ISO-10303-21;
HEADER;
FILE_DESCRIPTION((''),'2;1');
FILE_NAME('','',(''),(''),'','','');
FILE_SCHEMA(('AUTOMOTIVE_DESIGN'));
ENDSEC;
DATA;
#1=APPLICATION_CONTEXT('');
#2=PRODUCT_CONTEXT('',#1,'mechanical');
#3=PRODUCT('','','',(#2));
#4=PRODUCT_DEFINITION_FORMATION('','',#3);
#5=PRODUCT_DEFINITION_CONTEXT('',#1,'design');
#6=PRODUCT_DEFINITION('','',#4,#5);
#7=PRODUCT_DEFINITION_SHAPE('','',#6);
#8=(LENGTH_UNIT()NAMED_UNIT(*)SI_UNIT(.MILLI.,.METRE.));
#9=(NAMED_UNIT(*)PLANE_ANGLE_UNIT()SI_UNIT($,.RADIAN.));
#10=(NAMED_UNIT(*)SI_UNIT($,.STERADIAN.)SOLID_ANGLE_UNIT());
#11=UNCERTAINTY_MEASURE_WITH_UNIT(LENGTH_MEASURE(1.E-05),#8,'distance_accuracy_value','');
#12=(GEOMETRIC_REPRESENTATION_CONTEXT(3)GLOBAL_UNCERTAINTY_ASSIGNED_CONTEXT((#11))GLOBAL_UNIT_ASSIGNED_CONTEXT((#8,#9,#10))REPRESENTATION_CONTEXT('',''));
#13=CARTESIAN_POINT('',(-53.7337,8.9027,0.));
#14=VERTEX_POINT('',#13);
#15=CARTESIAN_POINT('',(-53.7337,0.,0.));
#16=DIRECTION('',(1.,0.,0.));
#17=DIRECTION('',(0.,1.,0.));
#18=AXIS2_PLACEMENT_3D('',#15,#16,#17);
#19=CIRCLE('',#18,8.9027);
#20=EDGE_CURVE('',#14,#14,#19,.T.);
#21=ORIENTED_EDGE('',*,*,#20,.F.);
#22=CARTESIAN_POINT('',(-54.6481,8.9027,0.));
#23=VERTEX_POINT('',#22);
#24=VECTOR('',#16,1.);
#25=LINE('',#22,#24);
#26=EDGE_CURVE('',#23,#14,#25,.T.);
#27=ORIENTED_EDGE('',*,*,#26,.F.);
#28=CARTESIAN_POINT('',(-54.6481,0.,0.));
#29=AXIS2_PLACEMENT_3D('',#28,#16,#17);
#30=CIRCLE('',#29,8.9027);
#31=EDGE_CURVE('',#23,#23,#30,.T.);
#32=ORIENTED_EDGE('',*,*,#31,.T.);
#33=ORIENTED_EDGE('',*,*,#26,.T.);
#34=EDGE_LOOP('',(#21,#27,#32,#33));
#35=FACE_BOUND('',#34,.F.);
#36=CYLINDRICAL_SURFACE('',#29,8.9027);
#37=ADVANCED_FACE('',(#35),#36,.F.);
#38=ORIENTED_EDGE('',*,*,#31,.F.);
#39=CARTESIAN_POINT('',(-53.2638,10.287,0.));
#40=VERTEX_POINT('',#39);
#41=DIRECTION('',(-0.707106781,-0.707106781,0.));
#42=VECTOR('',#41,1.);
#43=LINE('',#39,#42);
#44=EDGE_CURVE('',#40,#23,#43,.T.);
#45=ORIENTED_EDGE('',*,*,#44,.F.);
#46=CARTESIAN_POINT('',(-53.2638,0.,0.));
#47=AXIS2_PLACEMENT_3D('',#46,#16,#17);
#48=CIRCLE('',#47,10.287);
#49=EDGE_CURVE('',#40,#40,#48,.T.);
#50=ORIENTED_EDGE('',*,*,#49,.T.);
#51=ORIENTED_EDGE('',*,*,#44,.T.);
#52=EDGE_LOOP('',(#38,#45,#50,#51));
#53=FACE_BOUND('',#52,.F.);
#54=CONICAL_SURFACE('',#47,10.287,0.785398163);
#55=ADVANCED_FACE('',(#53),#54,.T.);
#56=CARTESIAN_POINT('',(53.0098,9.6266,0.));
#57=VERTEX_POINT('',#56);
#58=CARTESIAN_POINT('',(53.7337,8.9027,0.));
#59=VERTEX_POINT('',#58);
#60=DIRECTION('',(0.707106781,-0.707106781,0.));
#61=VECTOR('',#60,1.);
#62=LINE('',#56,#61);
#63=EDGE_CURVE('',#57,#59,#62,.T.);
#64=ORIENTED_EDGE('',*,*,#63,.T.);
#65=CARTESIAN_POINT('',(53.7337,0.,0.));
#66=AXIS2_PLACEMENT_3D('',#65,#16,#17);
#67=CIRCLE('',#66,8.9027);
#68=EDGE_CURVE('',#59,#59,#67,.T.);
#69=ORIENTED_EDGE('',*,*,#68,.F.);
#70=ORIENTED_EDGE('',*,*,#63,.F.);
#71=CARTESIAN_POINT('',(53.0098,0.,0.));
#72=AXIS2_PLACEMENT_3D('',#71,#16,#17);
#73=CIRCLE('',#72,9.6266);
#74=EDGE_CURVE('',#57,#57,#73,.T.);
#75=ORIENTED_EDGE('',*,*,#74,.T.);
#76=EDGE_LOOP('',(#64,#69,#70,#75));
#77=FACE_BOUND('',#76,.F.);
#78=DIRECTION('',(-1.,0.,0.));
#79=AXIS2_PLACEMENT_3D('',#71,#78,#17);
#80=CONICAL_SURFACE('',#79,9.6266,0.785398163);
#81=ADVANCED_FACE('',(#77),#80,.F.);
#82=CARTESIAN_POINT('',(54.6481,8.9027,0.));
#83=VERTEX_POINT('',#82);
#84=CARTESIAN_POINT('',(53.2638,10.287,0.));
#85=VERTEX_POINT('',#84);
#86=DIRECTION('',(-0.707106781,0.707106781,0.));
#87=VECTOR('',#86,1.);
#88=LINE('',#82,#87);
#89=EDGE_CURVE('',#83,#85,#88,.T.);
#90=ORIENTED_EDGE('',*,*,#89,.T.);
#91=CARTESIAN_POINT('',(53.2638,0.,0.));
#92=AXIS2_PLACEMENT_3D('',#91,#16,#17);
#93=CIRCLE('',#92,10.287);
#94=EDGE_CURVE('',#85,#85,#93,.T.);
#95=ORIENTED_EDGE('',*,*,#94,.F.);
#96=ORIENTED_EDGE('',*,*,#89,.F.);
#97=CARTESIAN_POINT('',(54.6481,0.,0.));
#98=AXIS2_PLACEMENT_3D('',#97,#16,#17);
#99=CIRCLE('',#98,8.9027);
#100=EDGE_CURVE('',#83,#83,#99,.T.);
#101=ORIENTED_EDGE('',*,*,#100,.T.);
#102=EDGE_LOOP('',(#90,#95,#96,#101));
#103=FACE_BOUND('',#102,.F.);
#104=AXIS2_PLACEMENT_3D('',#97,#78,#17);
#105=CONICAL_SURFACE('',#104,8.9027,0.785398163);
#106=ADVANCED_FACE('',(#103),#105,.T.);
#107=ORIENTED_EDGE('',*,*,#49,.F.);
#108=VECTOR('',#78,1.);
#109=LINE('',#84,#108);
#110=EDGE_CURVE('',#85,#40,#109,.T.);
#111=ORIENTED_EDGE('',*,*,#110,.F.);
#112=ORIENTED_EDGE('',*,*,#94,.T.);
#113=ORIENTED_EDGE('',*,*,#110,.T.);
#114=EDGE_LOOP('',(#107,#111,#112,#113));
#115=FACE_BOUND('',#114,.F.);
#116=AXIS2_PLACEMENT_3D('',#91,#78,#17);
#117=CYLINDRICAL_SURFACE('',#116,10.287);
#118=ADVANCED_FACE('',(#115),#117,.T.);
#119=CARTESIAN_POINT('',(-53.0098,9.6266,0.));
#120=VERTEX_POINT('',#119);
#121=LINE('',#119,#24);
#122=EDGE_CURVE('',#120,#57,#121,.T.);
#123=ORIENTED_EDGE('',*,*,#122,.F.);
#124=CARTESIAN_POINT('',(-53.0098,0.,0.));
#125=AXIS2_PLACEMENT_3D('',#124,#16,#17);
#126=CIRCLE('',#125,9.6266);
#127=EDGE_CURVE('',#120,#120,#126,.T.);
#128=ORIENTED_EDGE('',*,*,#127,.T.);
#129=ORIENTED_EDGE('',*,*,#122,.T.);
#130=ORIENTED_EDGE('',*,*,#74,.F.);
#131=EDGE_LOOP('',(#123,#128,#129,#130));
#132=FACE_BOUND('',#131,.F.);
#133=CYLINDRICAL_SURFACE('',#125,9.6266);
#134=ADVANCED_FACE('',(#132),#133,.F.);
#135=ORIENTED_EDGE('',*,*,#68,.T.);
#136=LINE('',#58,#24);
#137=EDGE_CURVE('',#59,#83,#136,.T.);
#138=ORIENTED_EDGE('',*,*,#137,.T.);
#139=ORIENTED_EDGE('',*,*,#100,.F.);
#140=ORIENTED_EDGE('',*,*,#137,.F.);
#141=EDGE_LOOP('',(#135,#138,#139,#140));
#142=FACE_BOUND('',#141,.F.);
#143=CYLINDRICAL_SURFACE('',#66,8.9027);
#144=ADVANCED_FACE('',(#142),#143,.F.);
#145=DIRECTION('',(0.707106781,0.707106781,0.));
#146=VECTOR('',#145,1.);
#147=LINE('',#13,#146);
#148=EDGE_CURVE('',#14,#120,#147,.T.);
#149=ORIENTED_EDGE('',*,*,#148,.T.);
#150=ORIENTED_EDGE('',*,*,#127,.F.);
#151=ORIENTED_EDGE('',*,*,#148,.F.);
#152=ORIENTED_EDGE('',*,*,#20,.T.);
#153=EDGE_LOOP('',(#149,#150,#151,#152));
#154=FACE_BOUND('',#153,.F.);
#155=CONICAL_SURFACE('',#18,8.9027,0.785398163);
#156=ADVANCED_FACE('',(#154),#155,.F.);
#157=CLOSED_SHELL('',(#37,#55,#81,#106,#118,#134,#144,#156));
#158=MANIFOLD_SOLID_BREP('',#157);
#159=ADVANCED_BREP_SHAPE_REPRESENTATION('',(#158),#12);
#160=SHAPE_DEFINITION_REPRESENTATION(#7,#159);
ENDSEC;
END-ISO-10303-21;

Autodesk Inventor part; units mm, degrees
sketch "Sketch_1" plane through (0, 0, 0) normal (0, 0, 1) x (1, 0, 0)
  line L0 (54.6481, 0) -> (-54.6481, 0)
  line L1 (-54.6481, 8.9027) -> (-53.7337, 8.9027)
  line L2 (-53.7337, 8.9027) -> (-53.0098, 9.6266)
  line L3 (-53.0098, 9.6266) -> (53.0098, 9.6266)
  line L4 (53.0098, 9.6266) -> (53.7337, 8.9027)
  line L5 (53.7337, 8.9027) -> (54.6481, 8.9027)
  line L6 (54.6481, 8.9027) -> (53.2638, 10.287)
  line L7 (53.2638, 10.287) -> (-53.2638, 10.287)
  line L8 (-53.2638, 10.287) -> (-54.6481, 8.9027)
revolve "Revolution1" add sketch "Sketch_1" angle 360 about axis through (54.6481, 0, 0) along (1, 0, 0)
ref_plane "cap_XY" through (54.6481, 0, 0) normal (1, 0, 0) x (0, 0, -1)
ref_plane "cap_YZ" through (54.6481, 0, 0) normal (0, 0, -1) x (0, 1, 0)
ref_plane "cap_ZX" through (54.6481, 0, 0) normal (0, 1, 0) x (1, 0, 0)
ref_plane "head_XY" through (-54.6481, 0, 0) normal (1, 0, 0) x (0, 0, -1)
ref_plane "head_YZ" through (-54.6481, 0, 0) normal (0, 0, -1) x (0, 1, 0)
ref_plane "head_ZX" through (-54.6481, 0, 0) normal (0, 1, 0) x (1, 0, 0)
properties part number "0.75-4.303x0.810_body"
